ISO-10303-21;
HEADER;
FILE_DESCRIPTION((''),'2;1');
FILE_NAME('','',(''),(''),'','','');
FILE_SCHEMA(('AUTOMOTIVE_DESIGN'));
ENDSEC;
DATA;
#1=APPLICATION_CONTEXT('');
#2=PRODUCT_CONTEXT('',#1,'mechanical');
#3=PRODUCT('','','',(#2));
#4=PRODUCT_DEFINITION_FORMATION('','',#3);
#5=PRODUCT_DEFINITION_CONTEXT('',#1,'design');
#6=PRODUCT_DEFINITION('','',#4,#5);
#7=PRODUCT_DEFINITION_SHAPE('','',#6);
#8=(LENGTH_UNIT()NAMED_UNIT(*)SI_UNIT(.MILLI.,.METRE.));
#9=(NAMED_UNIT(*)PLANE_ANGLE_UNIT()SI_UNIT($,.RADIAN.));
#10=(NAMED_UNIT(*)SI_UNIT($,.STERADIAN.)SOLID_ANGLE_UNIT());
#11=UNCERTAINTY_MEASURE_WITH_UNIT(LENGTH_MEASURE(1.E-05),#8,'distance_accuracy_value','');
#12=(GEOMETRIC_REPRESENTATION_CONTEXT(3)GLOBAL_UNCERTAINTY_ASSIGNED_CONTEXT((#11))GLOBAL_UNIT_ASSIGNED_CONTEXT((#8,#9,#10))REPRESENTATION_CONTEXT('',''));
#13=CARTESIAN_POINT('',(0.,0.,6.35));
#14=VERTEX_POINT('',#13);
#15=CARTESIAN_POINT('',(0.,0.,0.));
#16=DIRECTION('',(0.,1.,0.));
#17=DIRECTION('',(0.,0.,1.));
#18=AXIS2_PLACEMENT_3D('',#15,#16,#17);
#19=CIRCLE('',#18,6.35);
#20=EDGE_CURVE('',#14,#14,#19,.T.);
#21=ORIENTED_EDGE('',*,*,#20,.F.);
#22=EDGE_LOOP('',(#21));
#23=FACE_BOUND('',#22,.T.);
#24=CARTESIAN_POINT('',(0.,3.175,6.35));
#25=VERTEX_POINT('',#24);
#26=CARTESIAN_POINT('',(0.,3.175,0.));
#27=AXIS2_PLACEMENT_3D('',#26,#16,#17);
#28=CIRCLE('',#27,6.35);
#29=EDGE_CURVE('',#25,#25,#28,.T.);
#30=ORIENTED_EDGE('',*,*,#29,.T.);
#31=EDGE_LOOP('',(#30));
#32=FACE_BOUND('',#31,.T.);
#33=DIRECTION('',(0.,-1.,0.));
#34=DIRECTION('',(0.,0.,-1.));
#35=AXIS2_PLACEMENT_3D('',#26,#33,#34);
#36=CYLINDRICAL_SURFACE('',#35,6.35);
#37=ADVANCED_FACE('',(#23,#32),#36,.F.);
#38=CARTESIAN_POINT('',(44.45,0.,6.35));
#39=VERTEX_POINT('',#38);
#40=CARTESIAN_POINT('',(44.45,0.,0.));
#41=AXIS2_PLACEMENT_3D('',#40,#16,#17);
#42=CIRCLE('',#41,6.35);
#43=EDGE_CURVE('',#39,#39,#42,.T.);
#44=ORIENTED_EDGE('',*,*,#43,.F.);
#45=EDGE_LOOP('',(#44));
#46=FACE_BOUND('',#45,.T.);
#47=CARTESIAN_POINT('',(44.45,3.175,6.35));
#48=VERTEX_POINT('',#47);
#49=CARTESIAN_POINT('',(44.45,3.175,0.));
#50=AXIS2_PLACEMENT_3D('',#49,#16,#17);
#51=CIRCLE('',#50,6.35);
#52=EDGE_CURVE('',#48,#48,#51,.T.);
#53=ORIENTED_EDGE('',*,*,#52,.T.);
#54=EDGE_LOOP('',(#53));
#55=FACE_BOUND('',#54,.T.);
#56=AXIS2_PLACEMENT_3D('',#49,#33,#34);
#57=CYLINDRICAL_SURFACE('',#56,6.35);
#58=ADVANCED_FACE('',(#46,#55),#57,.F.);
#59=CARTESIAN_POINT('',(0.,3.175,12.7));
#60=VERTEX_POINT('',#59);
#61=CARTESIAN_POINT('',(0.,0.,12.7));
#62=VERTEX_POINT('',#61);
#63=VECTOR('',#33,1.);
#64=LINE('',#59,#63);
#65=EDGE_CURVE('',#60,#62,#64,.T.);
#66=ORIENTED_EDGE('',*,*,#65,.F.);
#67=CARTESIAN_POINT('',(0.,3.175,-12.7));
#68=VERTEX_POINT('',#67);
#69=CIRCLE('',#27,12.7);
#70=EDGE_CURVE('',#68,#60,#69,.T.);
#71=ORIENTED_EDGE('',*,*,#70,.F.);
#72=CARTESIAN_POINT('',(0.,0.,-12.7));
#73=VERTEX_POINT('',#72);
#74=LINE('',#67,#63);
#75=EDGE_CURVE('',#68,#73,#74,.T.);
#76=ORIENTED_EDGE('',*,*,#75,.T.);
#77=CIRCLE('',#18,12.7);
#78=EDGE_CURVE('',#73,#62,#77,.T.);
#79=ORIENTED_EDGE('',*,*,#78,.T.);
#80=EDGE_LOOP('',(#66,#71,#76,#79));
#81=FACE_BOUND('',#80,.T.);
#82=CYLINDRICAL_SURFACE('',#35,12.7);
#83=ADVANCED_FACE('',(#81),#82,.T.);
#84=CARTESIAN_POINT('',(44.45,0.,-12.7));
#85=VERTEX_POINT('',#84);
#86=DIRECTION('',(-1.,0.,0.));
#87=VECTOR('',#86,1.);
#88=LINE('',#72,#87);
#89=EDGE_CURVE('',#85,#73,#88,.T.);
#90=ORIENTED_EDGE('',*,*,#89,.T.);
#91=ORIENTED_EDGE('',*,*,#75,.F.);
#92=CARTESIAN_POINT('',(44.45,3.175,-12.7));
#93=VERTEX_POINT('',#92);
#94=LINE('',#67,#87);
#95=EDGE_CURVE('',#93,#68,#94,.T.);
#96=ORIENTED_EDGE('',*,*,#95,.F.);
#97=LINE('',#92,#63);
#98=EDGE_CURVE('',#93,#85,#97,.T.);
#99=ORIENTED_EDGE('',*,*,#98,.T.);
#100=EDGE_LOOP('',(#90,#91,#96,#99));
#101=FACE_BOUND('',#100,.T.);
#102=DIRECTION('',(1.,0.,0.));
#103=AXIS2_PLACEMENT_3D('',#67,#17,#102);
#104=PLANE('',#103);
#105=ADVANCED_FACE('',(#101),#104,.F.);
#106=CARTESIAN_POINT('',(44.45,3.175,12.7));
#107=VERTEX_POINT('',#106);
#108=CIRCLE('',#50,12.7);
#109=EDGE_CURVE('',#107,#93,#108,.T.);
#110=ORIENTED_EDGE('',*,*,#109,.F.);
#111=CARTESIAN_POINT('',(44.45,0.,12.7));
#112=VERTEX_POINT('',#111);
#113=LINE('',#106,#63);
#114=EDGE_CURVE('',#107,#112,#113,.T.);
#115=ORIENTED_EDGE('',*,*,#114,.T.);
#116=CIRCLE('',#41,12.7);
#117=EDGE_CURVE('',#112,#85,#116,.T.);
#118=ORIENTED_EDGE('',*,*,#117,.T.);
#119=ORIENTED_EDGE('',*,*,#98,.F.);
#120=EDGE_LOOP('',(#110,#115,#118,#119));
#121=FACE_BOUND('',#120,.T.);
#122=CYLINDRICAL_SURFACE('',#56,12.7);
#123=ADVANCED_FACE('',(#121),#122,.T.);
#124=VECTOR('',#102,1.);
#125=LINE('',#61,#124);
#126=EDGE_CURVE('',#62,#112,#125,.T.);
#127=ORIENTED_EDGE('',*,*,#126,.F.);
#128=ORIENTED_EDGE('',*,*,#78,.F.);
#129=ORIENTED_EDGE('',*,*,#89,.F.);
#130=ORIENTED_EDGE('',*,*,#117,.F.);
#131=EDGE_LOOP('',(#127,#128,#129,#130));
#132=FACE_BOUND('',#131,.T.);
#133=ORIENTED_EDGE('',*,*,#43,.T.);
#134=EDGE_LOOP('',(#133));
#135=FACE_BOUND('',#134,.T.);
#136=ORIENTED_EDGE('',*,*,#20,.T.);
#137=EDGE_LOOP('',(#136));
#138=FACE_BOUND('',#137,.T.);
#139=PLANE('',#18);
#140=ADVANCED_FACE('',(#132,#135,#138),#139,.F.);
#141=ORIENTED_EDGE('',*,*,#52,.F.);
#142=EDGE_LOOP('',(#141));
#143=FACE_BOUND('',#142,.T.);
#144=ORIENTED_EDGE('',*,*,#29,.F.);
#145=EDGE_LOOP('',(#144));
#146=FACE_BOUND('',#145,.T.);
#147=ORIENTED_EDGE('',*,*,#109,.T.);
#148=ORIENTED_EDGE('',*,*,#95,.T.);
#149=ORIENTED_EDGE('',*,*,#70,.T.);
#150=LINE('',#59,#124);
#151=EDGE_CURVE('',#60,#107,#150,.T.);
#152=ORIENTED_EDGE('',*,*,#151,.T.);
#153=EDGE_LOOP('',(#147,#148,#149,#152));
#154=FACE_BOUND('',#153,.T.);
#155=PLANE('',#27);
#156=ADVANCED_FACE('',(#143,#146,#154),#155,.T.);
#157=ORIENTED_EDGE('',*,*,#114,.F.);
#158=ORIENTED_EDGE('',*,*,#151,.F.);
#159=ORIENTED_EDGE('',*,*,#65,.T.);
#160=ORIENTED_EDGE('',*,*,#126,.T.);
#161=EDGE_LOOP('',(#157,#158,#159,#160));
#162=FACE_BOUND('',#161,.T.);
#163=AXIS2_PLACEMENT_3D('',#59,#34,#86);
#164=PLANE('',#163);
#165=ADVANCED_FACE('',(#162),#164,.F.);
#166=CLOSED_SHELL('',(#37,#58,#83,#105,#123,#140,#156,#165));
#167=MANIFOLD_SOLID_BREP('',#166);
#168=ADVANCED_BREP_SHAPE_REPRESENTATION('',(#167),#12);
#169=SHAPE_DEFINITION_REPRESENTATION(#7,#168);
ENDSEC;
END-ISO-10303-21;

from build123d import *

# Parameters (mm, degrees)
SKETCH1_R           = 6.35
BOSS_EXTRUDE1_DEPTH = 3.175


with BuildPart() as part:
    # Sketch1 → Boss-Extrude1 (new body)
    with BuildSketch(Plane(origin=(0, 0, 0), x_dir=(1, 0, 0), z_dir=(0, 1, 0))):
        with BuildLine():
            Line((0, 12.7), (44.45, 12.7))
            ThreePointArc((44.45, 12.7), (57.15, 0), (44.45, -12.7))
            Line((44.45, -12.7), (0, -12.7))
            ThreePointArc((0, -12.7), (-12.7, 0), (0, 12.7))
        make_face()
        with Locations(Location((0, 0, 0), (0, 0, 270))):
            Circle(SKETCH1_R, mode=Mode.SUBTRACT)
        with Locations(Location((44.45, 0, 0), (0, 0, 270))):
            Circle(SKETCH1_R, mode=Mode.SUBTRACT)
    extrude(amount=BOSS_EXTRUDE1_DEPTH)


solid = part.part
